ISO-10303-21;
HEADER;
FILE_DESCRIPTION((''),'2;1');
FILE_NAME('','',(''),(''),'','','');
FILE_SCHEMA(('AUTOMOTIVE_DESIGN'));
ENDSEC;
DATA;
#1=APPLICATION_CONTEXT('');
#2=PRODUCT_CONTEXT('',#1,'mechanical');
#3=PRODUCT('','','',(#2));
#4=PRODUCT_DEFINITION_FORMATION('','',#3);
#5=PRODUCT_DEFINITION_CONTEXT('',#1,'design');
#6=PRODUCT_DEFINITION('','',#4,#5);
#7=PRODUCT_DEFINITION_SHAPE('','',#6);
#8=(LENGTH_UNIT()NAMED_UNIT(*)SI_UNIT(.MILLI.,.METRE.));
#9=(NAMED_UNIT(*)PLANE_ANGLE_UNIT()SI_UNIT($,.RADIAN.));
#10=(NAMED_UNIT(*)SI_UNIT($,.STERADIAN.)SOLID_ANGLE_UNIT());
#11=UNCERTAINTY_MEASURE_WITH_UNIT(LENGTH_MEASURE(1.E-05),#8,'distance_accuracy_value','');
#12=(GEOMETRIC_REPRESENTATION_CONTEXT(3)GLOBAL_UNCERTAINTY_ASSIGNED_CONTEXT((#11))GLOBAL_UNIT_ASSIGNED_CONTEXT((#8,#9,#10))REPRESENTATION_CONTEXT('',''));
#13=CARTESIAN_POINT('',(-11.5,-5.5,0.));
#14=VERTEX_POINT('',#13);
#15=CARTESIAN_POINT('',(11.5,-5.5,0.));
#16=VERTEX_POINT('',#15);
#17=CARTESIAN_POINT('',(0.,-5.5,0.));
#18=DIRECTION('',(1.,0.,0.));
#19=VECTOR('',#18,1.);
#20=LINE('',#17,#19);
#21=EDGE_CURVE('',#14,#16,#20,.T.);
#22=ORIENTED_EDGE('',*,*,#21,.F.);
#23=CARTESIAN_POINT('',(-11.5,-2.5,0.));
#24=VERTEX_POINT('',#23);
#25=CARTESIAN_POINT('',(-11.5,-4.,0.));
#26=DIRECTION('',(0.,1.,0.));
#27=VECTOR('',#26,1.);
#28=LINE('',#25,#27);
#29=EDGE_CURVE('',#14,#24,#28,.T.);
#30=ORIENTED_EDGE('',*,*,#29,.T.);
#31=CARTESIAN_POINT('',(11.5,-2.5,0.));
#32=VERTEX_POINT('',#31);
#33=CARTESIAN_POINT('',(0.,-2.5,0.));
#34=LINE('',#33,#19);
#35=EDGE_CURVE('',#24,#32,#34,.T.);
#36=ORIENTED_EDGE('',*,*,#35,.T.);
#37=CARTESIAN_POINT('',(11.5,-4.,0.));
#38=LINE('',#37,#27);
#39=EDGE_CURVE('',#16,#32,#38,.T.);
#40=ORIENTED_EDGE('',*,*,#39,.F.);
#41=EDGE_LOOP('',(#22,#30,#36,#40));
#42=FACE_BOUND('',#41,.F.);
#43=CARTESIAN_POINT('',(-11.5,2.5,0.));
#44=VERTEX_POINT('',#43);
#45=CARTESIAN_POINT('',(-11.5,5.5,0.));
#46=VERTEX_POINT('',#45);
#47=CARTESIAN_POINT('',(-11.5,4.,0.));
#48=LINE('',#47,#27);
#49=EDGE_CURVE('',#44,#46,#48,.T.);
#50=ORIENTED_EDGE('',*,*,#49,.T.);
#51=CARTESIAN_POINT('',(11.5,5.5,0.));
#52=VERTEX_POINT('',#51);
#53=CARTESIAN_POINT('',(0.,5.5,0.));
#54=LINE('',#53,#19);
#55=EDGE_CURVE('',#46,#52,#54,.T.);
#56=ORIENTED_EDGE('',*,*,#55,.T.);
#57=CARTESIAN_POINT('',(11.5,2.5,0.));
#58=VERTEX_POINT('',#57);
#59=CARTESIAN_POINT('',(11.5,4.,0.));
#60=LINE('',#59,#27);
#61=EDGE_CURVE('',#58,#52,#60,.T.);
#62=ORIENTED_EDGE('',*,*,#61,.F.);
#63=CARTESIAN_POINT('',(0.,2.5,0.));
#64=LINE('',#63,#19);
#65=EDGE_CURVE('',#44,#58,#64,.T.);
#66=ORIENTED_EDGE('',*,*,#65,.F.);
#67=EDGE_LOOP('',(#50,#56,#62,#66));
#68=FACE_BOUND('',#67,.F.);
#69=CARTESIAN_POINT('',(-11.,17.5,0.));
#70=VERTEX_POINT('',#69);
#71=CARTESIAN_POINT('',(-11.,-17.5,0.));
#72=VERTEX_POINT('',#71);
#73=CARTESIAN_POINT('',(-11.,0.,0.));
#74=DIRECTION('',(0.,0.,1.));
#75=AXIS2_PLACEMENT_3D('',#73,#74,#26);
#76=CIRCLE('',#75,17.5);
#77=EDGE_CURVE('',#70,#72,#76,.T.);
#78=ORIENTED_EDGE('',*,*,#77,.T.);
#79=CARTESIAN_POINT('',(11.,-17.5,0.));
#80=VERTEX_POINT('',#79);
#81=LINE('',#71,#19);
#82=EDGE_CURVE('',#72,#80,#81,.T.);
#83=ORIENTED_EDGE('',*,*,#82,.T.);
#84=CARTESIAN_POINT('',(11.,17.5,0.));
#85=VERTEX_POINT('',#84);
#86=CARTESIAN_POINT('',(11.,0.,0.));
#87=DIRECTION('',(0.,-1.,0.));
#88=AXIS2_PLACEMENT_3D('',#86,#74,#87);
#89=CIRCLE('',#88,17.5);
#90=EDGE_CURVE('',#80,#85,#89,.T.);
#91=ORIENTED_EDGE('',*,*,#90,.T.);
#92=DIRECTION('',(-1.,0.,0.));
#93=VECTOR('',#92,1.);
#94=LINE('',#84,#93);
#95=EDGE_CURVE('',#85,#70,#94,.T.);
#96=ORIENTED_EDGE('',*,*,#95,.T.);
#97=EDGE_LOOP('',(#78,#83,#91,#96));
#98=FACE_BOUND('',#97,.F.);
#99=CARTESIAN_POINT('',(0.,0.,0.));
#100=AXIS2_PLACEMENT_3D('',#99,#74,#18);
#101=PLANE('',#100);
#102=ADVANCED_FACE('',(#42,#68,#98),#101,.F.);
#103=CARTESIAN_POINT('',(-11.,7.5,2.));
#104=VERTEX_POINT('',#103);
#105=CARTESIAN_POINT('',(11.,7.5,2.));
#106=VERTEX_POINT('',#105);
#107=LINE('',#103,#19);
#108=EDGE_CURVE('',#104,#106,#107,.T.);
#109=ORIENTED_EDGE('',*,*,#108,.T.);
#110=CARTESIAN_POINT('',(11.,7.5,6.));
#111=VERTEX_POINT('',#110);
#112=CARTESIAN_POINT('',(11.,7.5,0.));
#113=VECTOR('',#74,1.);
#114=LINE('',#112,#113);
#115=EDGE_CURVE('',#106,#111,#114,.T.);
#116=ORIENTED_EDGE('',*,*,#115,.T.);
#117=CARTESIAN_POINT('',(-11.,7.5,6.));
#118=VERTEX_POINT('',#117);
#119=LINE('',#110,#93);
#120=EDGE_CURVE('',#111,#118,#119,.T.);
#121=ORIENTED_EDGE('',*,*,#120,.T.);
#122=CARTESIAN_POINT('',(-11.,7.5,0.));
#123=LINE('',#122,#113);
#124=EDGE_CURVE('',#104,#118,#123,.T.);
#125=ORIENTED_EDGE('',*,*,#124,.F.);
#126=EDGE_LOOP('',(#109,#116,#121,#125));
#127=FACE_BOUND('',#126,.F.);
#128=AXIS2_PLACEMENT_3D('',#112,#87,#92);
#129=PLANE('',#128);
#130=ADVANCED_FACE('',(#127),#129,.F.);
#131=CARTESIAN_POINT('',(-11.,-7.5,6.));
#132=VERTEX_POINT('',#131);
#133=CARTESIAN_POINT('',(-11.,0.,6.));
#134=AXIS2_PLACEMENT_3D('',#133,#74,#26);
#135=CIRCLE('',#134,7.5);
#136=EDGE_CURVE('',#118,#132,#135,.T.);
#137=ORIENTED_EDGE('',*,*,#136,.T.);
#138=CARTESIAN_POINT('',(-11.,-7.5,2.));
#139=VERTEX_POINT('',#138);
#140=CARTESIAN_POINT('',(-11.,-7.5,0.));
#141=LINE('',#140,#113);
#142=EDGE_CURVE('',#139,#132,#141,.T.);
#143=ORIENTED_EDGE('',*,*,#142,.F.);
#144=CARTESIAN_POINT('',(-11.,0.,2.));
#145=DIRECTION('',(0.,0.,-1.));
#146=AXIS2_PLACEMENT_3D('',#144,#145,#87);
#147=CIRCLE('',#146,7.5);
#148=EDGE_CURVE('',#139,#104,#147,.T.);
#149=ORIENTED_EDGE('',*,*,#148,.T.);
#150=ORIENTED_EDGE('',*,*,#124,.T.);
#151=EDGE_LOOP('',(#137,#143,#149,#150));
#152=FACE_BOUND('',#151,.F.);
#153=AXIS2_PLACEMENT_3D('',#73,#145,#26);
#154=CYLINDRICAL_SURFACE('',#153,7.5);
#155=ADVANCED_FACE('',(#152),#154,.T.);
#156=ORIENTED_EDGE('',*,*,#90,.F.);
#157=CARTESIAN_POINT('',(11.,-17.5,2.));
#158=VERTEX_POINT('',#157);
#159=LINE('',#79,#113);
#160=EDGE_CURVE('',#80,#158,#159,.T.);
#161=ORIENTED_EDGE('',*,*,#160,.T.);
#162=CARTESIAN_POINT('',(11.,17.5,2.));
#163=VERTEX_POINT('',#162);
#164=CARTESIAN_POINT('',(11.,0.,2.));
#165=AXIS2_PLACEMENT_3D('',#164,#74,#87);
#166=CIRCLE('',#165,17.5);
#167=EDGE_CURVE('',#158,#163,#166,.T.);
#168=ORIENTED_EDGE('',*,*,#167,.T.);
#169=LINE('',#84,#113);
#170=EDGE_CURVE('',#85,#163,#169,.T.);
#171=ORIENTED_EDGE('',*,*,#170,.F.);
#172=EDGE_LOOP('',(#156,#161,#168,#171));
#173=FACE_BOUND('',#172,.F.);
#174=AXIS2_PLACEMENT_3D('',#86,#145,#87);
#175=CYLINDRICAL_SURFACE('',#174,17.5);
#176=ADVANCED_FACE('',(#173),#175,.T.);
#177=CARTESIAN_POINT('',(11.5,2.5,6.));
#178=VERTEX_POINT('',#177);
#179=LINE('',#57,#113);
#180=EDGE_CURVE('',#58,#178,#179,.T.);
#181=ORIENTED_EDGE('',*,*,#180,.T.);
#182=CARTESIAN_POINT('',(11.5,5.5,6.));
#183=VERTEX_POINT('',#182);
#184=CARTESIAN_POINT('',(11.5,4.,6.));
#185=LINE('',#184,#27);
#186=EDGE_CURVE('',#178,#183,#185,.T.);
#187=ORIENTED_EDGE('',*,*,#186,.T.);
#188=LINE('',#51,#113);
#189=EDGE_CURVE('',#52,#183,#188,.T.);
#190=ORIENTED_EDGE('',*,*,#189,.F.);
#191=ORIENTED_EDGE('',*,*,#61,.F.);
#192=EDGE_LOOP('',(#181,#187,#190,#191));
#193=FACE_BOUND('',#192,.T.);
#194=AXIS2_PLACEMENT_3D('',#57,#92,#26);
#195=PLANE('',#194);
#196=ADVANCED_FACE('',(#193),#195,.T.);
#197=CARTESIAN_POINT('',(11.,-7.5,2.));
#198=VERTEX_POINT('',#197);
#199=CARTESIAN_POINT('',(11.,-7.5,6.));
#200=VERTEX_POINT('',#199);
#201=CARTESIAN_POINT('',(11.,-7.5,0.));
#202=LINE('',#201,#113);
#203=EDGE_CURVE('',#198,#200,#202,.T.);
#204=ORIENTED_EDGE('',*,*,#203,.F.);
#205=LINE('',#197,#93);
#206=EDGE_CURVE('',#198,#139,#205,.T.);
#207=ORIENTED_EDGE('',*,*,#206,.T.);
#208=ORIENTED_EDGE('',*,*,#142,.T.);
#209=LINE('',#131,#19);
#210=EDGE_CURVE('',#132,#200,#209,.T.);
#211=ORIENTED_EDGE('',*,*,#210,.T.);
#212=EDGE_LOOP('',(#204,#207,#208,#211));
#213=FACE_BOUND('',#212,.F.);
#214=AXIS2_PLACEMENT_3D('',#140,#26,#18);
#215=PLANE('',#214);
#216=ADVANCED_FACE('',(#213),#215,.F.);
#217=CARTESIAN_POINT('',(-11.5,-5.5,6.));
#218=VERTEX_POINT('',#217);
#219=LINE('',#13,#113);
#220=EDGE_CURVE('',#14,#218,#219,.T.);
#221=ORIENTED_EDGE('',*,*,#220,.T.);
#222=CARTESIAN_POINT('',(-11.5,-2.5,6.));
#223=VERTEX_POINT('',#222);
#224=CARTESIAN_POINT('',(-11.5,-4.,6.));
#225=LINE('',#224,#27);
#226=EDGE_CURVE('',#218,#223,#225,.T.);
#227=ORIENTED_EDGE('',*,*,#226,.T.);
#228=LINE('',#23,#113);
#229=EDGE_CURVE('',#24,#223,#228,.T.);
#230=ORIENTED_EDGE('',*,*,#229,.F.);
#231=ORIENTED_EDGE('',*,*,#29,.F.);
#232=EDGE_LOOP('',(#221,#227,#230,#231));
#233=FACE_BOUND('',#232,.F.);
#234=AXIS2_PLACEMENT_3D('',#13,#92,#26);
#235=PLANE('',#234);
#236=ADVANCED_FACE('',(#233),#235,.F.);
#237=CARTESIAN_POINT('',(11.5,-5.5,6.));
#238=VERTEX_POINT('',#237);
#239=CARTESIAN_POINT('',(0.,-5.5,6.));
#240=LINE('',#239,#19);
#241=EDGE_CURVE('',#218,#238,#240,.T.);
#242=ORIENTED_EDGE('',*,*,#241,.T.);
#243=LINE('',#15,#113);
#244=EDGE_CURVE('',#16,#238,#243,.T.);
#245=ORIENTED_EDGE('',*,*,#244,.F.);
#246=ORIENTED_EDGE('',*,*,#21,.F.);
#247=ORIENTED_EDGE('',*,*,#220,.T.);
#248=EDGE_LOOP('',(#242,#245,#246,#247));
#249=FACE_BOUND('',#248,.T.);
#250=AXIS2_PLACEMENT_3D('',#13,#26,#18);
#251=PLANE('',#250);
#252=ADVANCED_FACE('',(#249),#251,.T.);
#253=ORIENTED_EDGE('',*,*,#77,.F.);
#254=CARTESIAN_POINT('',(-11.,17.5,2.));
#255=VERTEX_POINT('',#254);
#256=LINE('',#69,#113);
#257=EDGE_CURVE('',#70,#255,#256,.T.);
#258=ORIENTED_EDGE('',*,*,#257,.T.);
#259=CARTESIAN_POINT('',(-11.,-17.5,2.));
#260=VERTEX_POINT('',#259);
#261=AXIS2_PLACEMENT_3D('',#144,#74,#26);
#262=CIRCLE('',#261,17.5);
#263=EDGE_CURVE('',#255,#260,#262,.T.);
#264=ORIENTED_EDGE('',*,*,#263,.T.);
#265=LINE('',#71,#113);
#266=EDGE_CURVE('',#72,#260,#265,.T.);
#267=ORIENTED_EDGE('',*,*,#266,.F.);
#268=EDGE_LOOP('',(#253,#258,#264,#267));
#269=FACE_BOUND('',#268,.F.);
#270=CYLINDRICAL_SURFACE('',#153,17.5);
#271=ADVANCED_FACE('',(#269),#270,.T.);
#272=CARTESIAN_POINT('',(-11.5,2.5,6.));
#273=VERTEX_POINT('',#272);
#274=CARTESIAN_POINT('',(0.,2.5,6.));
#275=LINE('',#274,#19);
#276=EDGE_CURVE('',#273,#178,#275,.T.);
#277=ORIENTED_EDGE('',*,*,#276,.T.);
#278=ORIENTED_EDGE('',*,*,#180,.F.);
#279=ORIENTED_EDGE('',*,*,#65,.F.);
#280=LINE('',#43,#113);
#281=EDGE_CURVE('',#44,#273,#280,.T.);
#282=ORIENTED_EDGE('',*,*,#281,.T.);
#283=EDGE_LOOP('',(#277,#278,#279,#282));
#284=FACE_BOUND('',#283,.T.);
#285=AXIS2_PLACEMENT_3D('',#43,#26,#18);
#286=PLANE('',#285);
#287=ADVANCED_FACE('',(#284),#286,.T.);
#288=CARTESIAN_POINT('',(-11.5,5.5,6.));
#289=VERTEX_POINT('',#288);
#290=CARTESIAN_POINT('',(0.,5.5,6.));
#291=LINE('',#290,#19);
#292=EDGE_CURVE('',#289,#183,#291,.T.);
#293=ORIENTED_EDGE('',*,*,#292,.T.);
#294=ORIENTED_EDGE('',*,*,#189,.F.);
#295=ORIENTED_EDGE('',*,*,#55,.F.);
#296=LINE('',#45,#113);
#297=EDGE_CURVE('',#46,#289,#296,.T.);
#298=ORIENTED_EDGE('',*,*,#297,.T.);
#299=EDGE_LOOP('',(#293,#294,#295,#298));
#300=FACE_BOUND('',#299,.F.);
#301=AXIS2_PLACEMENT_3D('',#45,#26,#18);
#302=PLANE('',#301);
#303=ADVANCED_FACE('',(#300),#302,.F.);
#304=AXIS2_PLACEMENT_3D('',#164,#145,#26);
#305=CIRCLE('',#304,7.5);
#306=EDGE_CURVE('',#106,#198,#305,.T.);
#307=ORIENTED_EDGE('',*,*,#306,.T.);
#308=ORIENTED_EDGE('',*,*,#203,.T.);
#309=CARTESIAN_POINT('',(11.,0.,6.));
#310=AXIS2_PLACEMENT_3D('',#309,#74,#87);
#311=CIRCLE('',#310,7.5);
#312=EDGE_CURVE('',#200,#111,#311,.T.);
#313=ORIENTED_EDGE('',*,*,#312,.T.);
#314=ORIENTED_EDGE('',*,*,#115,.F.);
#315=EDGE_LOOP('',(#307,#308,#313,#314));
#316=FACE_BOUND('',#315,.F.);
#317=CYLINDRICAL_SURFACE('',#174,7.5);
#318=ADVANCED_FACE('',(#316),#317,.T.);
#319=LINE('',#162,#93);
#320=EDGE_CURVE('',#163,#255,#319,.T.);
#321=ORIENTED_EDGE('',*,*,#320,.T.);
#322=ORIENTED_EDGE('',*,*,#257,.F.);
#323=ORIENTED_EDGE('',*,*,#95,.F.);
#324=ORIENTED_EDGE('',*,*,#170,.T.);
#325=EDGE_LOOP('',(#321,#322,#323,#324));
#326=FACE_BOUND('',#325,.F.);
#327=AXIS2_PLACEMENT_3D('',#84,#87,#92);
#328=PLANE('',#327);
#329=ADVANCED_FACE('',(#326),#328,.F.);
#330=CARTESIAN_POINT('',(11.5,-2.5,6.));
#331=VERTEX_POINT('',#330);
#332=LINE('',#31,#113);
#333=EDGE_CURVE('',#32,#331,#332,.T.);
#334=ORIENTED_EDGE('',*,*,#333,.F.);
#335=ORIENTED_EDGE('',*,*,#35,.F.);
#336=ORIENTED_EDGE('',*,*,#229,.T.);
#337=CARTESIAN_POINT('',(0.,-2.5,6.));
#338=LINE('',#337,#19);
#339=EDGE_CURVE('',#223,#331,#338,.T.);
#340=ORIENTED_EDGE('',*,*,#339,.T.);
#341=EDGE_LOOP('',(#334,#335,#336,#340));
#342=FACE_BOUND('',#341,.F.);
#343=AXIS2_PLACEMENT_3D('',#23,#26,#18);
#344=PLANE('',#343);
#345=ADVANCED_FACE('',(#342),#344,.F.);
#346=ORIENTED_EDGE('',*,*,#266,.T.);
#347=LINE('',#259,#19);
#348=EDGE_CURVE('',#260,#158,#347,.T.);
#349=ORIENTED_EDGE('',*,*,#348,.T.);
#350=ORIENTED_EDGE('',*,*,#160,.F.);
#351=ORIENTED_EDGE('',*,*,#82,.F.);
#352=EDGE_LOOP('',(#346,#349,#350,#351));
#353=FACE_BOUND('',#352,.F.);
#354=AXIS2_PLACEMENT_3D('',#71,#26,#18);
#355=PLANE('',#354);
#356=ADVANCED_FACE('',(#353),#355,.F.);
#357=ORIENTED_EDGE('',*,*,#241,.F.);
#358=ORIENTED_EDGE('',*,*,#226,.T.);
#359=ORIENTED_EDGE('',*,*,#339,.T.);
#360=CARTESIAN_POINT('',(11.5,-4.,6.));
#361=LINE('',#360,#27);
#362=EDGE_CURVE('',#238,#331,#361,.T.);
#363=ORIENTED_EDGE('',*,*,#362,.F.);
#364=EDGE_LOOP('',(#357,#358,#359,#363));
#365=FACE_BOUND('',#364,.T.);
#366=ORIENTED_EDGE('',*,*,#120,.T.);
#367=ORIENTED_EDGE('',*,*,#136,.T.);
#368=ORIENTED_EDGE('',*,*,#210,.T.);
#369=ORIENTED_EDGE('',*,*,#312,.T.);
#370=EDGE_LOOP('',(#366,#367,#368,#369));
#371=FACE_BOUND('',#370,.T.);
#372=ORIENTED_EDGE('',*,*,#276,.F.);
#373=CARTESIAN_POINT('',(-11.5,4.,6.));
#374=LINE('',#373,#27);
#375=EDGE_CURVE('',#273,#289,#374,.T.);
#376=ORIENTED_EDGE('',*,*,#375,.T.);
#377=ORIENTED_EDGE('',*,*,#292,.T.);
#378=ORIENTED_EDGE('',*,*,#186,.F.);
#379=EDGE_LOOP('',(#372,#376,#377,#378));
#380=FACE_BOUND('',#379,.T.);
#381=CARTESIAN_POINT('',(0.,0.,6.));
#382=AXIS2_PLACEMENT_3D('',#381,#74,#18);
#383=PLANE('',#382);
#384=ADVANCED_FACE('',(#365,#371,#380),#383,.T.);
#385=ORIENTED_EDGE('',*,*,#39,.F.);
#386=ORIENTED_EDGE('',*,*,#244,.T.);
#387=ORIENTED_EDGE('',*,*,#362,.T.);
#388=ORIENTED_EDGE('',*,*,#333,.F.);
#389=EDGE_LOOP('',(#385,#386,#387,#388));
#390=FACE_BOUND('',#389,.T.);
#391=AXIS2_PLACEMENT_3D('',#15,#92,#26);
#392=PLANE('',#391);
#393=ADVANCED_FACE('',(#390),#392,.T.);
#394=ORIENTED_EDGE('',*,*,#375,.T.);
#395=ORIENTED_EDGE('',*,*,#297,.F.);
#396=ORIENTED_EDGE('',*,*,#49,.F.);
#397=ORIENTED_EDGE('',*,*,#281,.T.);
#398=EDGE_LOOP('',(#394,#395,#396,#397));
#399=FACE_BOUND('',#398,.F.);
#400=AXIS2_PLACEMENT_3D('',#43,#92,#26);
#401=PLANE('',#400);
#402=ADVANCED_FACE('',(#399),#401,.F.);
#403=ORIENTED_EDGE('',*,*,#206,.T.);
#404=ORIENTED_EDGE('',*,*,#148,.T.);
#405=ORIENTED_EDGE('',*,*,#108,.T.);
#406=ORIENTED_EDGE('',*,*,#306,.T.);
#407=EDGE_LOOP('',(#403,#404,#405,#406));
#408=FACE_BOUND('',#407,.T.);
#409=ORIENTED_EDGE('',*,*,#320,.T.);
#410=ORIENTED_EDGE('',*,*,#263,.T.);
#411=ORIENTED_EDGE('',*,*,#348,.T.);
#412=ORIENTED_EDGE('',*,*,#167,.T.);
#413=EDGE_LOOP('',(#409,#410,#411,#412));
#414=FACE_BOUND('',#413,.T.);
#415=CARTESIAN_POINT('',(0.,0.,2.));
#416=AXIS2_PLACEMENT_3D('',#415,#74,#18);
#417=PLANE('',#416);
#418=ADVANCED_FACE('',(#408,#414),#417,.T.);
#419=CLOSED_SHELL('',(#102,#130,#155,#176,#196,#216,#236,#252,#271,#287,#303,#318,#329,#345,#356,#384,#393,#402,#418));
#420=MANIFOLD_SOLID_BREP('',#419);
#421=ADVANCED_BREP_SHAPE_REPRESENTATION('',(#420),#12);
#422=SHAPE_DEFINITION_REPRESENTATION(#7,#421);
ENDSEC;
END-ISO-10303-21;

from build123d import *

# Parameters (mm, degrees)
F0_W     = 23
F0_H     = 3
F1_DEPTH = 2
F2_DEPTH = 6


with BuildPart() as f1:
    # F0 (on Top) → F1 (new body)
    with BuildSketch(Plane.XY):
        with BuildLine():
            Line((-11, -7.5), (11, -7.5))
            ThreePointArc((11, -7.5), (18.5, 0), (11, 7.5))
            Line((11, 7.5), (-11, 7.5))
            ThreePointArc((-11, 7.5), (-18.5, 0), (-11, -7.5))
        make_face()
        with Locations((0, -4)):
            Rectangle(F0_W, F0_H, mode=Mode.SUBTRACT)
        with Locations((0, 4)):
            Rectangle(F0_W, F0_H, mode=Mode.SUBTRACT)
        with BuildLine():
            Line((11, 17.5), (-11, 17.5))
            ThreePointArc((-11, 17.5), (-28.5, 0), (-11, -17.5))
            Line((-11, -17.5), (11, -17.5))
            ThreePointArc((11, -17.5), (28.5, 0), (11, 17.5))
        make_face()
        with BuildLine():
            ThreePointArc((11, 7.5), (18.5, 0), (11, -7.5))
            Line((11, -7.5), (-11, -7.5))
            ThreePointArc((-11, -7.5), (-18.5, 0), (-11, 7.5))
            Line((-11, 7.5), (11, 7.5))
        make_face(mode=Mode.SUBTRACT)
    extrude(amount=F1_DEPTH)

    # F0 (on Top) → F2 (join)
    with BuildSketch(Plane.XY):
        with BuildLine():
            Line((-11, -7.5), (11, -7.5))
            ThreePointArc((11, -7.5), (18.5, 0), (11, 7.5))
            Line((11, 7.5), (-11, 7.5))
            ThreePointArc((-11, 7.5), (-18.5, 0), (-11, -7.5))
        make_face()
        with Locations((0, -4)):
            Rectangle(F0_W, F0_H, mode=Mode.SUBTRACT)
        with Locations((0, 4)):
            Rectangle(F0_W, F0_H, mode=Mode.SUBTRACT)
    extrude(amount=F2_DEPTH)


solid = f1.part
